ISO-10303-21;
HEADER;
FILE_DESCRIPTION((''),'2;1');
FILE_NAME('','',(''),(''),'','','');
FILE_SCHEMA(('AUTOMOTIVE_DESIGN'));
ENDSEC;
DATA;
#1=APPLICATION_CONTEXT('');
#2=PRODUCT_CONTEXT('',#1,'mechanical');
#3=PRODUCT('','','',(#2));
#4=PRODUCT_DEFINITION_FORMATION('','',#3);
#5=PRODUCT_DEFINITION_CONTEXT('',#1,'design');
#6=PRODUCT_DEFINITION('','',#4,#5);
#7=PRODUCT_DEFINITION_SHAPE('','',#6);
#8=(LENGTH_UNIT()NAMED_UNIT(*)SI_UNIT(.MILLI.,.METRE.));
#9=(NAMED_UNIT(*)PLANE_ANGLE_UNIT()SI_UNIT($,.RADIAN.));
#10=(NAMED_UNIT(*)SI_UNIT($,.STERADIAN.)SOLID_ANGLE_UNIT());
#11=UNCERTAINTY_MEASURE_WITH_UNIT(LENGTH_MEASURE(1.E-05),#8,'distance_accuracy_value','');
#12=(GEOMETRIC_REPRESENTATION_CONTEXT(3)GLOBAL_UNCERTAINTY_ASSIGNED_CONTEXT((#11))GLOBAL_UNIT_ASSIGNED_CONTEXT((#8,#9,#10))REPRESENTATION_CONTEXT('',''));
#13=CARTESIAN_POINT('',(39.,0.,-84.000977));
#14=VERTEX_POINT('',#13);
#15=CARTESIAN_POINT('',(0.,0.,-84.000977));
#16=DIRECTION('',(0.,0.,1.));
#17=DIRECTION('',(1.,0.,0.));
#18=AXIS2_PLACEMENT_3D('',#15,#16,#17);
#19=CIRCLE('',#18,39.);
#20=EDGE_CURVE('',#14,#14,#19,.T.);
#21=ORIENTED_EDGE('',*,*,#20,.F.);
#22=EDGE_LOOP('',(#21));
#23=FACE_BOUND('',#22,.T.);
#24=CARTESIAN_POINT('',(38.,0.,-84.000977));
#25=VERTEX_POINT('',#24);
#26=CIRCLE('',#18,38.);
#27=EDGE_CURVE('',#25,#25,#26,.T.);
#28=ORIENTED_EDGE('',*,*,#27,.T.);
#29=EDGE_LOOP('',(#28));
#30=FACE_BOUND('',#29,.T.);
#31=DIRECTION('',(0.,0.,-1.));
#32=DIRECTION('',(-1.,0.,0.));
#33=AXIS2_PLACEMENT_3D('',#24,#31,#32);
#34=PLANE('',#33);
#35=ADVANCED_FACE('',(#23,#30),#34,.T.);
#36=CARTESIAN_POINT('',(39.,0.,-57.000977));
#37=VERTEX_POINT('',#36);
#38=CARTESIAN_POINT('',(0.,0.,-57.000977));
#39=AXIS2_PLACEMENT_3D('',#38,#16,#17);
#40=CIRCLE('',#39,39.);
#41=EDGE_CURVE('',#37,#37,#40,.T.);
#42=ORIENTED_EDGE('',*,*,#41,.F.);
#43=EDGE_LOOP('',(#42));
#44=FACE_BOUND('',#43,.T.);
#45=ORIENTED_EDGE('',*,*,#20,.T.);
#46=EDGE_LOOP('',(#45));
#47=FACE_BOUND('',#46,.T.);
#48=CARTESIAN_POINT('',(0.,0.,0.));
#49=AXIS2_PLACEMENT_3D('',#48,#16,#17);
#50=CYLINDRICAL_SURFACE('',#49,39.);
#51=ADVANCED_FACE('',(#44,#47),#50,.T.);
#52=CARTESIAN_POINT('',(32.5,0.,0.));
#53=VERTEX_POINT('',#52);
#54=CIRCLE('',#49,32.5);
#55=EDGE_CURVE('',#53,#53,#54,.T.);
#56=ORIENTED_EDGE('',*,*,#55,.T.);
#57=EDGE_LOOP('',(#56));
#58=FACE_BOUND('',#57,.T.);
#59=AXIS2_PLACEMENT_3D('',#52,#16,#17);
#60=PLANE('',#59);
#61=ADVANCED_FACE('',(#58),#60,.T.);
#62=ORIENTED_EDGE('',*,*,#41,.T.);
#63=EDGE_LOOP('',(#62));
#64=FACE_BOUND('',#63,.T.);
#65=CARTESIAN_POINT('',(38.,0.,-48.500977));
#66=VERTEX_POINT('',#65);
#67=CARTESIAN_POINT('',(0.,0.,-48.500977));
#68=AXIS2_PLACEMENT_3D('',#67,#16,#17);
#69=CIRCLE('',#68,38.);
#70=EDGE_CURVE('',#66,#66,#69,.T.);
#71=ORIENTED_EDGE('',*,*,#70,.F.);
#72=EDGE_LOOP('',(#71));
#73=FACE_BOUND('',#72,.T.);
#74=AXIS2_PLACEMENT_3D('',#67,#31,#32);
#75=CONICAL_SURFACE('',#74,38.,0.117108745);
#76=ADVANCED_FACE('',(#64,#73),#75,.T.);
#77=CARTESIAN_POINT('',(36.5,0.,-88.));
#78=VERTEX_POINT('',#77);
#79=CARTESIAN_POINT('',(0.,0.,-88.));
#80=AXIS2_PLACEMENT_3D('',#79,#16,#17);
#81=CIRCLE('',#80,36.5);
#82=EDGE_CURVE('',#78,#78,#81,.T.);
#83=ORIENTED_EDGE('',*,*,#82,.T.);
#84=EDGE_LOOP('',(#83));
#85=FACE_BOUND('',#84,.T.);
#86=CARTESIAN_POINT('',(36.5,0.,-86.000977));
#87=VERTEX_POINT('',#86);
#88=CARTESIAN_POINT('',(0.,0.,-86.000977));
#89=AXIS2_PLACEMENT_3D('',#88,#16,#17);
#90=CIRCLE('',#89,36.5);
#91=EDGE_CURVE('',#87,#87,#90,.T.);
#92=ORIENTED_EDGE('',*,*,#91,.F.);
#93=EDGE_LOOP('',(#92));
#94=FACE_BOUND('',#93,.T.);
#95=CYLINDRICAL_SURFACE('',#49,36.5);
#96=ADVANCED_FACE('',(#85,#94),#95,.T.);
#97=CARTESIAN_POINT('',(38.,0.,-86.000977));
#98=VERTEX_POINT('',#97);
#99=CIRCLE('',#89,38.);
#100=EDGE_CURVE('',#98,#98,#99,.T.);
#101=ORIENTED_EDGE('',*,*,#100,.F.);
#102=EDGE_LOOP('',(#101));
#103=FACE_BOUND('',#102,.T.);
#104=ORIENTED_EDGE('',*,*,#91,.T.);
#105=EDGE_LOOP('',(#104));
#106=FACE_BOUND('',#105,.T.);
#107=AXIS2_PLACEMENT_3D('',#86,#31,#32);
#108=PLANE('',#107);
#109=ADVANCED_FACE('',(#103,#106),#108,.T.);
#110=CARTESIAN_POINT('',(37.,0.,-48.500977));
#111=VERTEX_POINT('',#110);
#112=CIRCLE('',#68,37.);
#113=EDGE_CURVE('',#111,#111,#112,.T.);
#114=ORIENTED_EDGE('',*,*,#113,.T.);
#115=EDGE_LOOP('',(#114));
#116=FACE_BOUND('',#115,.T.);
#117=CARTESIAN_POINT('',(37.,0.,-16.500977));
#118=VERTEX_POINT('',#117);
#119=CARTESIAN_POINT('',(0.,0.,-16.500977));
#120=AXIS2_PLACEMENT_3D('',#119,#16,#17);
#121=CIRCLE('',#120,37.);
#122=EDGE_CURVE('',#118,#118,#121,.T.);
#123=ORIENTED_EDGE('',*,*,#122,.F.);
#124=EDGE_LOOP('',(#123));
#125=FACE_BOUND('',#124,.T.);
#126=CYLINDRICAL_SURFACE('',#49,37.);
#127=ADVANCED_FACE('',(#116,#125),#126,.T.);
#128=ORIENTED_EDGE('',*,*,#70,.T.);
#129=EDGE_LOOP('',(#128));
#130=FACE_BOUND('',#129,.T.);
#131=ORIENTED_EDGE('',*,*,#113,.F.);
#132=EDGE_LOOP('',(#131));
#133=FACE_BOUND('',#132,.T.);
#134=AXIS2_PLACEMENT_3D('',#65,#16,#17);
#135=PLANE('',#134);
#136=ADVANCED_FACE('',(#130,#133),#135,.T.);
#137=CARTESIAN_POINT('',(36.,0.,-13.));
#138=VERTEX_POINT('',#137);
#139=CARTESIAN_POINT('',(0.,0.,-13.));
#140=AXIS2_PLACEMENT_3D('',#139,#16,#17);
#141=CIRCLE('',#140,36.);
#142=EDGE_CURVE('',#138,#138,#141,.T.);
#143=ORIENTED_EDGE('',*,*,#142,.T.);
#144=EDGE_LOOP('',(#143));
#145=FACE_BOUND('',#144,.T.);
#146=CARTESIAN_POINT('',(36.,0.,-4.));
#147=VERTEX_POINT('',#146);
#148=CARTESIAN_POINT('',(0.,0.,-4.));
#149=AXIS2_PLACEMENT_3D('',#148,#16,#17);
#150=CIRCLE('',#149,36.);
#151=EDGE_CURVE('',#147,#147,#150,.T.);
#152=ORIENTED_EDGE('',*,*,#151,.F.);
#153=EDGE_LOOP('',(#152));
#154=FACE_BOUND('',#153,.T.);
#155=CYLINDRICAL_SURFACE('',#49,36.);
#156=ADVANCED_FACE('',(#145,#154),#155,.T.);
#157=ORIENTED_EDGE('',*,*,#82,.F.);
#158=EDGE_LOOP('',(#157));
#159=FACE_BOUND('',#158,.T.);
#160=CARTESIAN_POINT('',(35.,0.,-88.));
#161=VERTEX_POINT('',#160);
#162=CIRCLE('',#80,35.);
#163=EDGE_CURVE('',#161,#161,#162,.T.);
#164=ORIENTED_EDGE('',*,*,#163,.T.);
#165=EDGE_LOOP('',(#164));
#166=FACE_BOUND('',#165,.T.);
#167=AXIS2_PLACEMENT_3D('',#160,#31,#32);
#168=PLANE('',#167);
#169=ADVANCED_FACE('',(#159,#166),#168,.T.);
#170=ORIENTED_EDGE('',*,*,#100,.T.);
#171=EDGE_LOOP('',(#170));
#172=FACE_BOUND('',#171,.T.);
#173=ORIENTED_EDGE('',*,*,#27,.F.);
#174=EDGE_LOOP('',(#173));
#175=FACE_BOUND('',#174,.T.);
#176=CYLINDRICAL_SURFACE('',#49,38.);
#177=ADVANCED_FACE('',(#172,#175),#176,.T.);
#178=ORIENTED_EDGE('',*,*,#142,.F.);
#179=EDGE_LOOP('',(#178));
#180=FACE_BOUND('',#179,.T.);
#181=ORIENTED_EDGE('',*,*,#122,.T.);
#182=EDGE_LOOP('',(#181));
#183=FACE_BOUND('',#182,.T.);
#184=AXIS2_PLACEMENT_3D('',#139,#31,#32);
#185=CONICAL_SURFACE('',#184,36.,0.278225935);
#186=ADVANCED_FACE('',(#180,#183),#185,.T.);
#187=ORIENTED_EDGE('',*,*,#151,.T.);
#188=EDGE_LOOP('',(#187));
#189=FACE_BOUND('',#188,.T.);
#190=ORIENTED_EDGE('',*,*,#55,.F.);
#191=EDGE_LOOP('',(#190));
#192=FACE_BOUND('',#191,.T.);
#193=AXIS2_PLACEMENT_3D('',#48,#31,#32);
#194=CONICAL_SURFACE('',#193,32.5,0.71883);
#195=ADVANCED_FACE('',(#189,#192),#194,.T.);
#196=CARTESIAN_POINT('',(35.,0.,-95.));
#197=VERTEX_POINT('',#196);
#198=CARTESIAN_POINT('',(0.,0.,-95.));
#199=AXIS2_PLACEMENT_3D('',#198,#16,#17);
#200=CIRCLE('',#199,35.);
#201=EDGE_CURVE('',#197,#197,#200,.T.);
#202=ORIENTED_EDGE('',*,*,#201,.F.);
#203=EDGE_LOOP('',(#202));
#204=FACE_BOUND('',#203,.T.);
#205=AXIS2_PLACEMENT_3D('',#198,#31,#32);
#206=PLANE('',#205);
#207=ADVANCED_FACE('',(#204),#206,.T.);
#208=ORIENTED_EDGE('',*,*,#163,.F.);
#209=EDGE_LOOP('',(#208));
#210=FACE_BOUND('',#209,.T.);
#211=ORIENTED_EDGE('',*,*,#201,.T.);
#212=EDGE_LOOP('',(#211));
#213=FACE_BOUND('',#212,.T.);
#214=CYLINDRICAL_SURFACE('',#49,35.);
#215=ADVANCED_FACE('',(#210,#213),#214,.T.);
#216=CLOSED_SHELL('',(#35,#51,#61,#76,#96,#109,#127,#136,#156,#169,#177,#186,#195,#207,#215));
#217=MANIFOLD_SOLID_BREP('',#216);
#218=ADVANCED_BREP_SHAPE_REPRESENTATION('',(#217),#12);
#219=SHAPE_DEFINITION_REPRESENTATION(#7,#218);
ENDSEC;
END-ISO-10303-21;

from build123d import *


with BuildPart() as part:
    # Эскиз1 → Повернуть1 (revolve)
    with BuildSketch(Plane(origin=(0, 0, 0), x_dir=(1, 0, 0), z_dir=(0, 1, 0))):
        Polygon((0, 95), (35, 95), (35, 88), (36.5, 88), (36.5, 86.000977097), (38, 86.000977097), (38, 84.000977097), (39, 84.000977097), (39, 57.000977097), (38, 48.500977097), (37, 48.500977097), (37, 16.500977097), (36, 13), (36, 4), (32.5, 0), (0, 0), align=None)
    revolve(axis=Axis((0, 0, 0), (0, 0, -1)))


solid = part.part
